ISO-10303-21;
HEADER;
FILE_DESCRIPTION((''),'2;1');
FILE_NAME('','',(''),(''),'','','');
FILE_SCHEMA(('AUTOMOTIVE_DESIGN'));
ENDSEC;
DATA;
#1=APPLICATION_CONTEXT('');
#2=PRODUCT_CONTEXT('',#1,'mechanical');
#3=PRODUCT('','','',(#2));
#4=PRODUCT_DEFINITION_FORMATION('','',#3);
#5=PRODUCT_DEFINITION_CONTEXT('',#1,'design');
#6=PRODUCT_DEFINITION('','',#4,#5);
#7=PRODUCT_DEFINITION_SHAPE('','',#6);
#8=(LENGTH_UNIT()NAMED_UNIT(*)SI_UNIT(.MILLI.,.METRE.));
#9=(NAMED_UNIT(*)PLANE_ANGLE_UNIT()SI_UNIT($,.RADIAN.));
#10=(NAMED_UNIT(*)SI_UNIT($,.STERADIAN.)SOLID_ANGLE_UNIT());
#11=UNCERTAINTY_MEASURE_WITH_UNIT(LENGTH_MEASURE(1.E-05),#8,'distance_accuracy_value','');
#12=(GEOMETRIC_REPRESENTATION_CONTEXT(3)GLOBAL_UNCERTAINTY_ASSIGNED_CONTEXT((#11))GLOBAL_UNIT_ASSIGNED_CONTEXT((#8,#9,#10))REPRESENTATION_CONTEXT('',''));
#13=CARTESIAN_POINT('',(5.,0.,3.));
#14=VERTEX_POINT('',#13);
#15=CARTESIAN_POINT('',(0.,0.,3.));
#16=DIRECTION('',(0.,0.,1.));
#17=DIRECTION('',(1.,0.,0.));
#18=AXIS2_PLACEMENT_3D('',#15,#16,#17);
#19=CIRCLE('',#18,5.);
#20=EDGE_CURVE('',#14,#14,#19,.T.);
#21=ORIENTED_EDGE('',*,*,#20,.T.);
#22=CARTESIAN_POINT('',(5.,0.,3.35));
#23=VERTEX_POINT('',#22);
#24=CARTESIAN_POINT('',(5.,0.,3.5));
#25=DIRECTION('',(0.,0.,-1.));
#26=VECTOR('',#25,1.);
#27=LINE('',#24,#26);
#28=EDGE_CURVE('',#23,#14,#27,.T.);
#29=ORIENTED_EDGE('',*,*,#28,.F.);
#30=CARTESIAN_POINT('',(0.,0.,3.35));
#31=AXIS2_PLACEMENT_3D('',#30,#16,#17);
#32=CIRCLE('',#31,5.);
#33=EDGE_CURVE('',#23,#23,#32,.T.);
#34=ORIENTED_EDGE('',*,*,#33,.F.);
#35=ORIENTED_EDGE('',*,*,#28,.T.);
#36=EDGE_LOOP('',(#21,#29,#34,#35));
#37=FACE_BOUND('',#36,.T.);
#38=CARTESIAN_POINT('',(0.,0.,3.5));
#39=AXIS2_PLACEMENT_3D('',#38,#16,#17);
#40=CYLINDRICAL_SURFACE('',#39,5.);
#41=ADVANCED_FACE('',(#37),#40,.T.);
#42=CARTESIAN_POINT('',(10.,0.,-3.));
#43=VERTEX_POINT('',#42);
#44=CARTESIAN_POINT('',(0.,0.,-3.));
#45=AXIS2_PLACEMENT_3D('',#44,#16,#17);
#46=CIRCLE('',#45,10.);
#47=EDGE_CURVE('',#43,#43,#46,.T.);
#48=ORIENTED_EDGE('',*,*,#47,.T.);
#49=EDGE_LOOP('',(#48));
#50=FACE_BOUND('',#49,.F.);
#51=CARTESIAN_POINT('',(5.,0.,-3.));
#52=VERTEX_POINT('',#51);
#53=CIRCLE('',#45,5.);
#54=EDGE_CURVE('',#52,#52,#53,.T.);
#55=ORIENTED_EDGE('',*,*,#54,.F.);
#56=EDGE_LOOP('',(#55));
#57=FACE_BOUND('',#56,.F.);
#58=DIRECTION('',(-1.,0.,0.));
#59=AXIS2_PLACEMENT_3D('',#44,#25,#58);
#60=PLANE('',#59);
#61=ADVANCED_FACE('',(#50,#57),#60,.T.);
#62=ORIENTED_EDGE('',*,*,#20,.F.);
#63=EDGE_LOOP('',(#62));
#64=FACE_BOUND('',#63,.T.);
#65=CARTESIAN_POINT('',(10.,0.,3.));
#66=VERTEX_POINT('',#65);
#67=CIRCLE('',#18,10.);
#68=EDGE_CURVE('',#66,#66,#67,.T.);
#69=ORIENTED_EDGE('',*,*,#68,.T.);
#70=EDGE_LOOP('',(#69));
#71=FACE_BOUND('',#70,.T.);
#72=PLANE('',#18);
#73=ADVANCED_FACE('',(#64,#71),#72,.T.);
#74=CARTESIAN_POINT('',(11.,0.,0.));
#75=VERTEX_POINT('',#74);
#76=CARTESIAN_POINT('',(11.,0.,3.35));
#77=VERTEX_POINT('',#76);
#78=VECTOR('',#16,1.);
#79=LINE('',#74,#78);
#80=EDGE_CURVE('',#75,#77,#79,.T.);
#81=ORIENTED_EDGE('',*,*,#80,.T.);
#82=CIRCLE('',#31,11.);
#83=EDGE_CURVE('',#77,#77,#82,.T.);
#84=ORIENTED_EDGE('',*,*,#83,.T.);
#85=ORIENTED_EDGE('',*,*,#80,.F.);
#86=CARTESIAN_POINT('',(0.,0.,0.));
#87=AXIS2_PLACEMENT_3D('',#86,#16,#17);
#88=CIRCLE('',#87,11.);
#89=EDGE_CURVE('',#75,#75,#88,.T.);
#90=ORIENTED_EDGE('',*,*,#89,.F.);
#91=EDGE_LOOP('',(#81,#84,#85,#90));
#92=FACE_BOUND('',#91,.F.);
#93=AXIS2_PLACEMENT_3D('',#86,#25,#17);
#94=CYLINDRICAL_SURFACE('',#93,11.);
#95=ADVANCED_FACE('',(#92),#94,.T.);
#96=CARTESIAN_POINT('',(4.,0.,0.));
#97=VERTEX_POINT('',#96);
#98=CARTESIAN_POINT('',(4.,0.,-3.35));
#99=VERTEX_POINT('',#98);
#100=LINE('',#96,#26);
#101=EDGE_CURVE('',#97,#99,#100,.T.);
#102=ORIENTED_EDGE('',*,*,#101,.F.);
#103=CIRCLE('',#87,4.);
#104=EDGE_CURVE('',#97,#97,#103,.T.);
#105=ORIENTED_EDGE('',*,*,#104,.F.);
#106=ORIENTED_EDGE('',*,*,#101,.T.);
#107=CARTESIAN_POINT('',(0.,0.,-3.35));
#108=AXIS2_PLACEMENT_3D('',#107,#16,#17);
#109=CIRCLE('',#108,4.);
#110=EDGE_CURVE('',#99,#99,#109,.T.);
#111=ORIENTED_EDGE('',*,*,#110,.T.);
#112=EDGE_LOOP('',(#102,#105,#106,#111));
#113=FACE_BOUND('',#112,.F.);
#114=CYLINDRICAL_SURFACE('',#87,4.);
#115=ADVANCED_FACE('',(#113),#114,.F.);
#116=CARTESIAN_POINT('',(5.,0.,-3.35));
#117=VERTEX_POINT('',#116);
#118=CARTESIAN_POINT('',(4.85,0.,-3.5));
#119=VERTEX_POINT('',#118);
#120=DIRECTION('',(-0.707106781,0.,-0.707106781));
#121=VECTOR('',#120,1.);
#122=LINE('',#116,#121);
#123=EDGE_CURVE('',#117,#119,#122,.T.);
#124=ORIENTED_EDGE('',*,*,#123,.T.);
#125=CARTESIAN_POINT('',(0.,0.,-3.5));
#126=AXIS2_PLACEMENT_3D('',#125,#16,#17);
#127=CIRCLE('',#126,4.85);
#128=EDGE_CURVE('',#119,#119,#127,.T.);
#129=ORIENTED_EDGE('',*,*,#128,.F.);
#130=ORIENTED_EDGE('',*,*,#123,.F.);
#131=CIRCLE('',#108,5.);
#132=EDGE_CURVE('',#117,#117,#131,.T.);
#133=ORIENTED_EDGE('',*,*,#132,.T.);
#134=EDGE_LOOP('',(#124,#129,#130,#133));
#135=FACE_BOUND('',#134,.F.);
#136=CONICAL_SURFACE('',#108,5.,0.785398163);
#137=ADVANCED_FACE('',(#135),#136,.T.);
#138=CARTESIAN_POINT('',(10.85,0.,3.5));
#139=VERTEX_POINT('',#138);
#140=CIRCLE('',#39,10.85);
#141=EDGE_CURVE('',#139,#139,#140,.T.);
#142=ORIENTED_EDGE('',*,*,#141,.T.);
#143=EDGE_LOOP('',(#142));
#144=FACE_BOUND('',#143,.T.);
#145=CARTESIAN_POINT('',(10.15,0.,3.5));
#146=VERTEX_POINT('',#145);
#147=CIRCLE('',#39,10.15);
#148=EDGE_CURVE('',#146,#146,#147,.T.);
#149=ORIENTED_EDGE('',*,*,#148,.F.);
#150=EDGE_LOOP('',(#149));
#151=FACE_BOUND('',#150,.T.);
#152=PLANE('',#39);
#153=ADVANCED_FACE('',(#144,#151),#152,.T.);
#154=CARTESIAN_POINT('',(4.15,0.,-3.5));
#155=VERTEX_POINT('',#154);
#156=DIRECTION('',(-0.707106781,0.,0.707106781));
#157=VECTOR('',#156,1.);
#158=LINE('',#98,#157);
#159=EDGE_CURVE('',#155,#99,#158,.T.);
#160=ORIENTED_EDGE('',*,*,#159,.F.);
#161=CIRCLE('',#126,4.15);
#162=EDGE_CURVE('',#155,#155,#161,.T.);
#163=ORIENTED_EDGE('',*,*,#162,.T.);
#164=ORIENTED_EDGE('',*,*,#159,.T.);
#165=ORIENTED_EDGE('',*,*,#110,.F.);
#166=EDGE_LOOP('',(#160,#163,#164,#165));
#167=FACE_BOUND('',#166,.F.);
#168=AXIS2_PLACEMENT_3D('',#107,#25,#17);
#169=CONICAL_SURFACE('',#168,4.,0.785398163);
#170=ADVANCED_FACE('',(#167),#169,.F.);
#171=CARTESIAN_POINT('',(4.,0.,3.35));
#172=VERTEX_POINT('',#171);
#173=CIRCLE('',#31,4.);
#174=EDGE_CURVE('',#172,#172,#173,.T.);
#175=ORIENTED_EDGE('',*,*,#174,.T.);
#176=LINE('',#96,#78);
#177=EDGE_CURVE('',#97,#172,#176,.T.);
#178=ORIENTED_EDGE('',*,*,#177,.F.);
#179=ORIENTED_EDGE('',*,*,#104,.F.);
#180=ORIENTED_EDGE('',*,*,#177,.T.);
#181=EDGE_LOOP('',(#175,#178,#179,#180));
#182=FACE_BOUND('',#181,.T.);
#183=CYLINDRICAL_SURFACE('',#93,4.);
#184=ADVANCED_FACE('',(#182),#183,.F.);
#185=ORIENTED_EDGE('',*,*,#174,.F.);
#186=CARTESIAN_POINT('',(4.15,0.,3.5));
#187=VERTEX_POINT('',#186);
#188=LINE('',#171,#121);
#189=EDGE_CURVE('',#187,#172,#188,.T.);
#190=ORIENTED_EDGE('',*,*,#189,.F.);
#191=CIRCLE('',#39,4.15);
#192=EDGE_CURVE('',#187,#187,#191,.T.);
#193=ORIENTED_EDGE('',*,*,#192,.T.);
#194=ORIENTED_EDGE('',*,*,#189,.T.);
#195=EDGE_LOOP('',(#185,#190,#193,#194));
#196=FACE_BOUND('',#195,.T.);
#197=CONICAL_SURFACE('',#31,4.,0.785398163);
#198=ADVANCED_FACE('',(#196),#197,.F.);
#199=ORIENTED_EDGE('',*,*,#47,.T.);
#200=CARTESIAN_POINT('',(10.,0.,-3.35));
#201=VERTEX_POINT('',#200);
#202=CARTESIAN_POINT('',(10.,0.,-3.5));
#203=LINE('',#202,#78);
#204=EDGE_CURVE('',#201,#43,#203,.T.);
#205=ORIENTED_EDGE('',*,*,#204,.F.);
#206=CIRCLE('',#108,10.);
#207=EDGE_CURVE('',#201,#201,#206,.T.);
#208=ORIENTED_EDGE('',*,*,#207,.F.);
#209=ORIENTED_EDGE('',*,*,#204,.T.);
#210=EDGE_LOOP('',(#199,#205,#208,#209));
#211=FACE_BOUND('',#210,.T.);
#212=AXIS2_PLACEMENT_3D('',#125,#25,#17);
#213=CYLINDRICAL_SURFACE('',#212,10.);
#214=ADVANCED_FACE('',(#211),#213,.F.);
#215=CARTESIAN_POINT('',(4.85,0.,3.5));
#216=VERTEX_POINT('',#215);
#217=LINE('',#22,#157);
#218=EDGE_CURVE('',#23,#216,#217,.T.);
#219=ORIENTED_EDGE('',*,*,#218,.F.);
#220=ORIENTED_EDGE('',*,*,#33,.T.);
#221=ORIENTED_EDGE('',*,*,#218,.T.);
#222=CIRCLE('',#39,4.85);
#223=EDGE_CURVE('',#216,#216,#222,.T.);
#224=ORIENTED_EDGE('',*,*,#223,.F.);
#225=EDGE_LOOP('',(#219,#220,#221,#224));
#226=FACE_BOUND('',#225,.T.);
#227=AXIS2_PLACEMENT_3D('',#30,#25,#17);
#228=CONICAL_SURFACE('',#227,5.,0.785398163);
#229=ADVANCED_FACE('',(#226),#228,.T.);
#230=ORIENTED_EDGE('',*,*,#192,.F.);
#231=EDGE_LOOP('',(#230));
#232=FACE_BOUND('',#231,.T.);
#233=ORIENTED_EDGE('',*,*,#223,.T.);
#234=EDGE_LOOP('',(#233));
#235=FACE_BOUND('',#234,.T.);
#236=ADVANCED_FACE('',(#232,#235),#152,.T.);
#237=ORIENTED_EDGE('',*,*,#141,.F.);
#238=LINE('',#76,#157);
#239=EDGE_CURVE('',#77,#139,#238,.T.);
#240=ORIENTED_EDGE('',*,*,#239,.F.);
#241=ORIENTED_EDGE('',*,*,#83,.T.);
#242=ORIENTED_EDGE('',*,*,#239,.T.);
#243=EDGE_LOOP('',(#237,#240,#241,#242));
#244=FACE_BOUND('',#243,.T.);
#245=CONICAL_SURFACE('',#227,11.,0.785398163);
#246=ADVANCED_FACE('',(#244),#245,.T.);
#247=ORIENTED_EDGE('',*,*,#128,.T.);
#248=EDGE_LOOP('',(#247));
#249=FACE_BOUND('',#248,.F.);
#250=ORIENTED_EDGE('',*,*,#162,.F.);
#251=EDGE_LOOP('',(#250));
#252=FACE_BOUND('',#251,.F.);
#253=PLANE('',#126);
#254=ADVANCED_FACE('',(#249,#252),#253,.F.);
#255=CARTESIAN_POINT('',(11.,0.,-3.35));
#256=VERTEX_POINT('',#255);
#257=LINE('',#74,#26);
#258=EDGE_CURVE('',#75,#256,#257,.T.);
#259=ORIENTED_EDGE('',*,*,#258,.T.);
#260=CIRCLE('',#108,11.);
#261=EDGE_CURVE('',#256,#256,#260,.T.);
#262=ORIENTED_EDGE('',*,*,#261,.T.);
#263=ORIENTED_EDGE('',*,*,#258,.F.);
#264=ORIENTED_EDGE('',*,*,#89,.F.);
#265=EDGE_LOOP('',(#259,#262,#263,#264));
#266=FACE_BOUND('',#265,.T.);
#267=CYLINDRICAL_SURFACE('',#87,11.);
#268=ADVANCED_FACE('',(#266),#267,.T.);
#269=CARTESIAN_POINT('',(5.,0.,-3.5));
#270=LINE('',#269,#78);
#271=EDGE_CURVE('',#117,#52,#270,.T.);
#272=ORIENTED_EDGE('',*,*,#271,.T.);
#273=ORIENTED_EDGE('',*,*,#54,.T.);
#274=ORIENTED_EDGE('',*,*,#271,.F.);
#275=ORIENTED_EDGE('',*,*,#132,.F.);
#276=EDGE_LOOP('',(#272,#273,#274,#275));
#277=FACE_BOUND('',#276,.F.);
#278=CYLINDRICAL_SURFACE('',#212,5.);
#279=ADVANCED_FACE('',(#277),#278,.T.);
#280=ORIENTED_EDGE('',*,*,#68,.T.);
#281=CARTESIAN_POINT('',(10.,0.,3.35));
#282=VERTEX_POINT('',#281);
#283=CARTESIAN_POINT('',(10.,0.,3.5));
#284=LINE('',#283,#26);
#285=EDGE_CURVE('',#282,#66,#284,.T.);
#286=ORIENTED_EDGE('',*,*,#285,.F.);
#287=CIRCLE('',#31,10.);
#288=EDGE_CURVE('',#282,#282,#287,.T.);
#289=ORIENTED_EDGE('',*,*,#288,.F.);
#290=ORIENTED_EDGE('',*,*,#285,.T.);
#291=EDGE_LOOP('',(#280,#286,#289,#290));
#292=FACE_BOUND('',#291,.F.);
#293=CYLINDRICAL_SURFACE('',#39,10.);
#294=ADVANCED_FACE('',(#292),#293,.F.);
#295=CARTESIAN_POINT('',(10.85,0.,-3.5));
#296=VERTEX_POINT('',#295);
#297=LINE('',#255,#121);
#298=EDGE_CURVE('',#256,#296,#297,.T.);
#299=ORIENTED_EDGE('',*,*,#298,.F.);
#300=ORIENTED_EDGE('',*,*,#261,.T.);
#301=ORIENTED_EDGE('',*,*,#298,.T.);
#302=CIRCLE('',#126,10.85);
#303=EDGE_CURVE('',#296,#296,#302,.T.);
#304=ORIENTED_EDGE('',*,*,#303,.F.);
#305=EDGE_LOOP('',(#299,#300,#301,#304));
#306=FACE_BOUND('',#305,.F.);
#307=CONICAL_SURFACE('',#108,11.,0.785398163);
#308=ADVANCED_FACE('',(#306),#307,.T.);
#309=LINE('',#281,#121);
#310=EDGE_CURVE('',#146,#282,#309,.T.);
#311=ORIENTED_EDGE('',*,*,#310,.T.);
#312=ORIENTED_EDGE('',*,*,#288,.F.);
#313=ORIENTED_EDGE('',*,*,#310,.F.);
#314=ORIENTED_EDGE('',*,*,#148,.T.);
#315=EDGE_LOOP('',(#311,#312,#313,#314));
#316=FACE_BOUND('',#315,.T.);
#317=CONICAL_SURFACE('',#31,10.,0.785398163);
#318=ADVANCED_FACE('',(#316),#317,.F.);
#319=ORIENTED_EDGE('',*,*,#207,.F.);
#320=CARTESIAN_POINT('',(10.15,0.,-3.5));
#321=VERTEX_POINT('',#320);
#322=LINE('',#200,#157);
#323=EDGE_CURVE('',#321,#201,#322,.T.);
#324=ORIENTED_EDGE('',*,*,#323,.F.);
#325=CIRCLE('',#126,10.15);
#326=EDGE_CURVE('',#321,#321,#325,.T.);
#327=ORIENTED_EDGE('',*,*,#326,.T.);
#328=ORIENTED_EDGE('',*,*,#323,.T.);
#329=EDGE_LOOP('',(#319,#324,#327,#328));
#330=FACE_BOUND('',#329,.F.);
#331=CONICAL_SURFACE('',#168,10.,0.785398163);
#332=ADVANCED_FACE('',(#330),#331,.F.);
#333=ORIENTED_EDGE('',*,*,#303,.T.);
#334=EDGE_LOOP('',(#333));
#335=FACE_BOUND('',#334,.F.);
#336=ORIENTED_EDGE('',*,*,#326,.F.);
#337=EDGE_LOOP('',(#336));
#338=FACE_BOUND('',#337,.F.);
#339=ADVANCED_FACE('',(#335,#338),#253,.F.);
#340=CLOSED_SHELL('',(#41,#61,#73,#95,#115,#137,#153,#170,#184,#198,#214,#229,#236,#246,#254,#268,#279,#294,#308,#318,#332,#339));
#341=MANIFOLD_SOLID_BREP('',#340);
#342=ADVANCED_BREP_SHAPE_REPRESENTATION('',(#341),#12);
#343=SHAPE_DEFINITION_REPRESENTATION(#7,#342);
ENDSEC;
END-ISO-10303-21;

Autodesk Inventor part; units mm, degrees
ref_plane "YZ Plane" through (0, 0, 0) normal (1, 0, 0) x (0, 1, 0)
ref_plane "XZ Plane" through (0, 0, 0) normal (0, 1, 0) x (-1, 0, 0)
ref_plane "XY Plane" through (0, 0, 0) normal (0, 0, 1) x (1, 0, 0)
sketch "Sketch1" plane through (0, 0, 0) normal (0, 0, 1) x (1, 0, 0)
  circle A0 centre (0, 0) radius 11
  circle A1 centre (0, 0) radius 4
  dimension "d0" = 22
  dimension "d1" = 8
extrude "Extrusion1" add sketch "Sketch1" along normal mid plane 7
sketch "Sketch2" plane through (0, 0, 3.5) normal (0, 0, 1) x (1, 0, 0)
  circle A0 centre (0, 0) radius 10
  circle A1 centre (0, 0) radius 5
  circle A2 centre (0, 0) radius 11 projected
  circle A3 centre (0, 0) radius 4 projected
  dimension "d4" = 1
  dimension "d5" = 1
extrude "Extrusion2" cut sketch "Sketch2" against normal blind 0.5 contours A0
mirror "Mirror1" about plane through (0, 0, 0) normal (0, 0, 1) of "Extrusion2"
chamfer "Chamfer1" distance 0.15 angle 45 8 edges at (-11, 0, 3.5) (-11, 0, -3.5) (-10, 0, 3.5) (-5, 0, 3.5) (-4, 0, 3.5) (-10, 0, -3.5) (-5, 0, -3.5) (-4, 0, -3.5)
properties part number "SS608-2RS"
